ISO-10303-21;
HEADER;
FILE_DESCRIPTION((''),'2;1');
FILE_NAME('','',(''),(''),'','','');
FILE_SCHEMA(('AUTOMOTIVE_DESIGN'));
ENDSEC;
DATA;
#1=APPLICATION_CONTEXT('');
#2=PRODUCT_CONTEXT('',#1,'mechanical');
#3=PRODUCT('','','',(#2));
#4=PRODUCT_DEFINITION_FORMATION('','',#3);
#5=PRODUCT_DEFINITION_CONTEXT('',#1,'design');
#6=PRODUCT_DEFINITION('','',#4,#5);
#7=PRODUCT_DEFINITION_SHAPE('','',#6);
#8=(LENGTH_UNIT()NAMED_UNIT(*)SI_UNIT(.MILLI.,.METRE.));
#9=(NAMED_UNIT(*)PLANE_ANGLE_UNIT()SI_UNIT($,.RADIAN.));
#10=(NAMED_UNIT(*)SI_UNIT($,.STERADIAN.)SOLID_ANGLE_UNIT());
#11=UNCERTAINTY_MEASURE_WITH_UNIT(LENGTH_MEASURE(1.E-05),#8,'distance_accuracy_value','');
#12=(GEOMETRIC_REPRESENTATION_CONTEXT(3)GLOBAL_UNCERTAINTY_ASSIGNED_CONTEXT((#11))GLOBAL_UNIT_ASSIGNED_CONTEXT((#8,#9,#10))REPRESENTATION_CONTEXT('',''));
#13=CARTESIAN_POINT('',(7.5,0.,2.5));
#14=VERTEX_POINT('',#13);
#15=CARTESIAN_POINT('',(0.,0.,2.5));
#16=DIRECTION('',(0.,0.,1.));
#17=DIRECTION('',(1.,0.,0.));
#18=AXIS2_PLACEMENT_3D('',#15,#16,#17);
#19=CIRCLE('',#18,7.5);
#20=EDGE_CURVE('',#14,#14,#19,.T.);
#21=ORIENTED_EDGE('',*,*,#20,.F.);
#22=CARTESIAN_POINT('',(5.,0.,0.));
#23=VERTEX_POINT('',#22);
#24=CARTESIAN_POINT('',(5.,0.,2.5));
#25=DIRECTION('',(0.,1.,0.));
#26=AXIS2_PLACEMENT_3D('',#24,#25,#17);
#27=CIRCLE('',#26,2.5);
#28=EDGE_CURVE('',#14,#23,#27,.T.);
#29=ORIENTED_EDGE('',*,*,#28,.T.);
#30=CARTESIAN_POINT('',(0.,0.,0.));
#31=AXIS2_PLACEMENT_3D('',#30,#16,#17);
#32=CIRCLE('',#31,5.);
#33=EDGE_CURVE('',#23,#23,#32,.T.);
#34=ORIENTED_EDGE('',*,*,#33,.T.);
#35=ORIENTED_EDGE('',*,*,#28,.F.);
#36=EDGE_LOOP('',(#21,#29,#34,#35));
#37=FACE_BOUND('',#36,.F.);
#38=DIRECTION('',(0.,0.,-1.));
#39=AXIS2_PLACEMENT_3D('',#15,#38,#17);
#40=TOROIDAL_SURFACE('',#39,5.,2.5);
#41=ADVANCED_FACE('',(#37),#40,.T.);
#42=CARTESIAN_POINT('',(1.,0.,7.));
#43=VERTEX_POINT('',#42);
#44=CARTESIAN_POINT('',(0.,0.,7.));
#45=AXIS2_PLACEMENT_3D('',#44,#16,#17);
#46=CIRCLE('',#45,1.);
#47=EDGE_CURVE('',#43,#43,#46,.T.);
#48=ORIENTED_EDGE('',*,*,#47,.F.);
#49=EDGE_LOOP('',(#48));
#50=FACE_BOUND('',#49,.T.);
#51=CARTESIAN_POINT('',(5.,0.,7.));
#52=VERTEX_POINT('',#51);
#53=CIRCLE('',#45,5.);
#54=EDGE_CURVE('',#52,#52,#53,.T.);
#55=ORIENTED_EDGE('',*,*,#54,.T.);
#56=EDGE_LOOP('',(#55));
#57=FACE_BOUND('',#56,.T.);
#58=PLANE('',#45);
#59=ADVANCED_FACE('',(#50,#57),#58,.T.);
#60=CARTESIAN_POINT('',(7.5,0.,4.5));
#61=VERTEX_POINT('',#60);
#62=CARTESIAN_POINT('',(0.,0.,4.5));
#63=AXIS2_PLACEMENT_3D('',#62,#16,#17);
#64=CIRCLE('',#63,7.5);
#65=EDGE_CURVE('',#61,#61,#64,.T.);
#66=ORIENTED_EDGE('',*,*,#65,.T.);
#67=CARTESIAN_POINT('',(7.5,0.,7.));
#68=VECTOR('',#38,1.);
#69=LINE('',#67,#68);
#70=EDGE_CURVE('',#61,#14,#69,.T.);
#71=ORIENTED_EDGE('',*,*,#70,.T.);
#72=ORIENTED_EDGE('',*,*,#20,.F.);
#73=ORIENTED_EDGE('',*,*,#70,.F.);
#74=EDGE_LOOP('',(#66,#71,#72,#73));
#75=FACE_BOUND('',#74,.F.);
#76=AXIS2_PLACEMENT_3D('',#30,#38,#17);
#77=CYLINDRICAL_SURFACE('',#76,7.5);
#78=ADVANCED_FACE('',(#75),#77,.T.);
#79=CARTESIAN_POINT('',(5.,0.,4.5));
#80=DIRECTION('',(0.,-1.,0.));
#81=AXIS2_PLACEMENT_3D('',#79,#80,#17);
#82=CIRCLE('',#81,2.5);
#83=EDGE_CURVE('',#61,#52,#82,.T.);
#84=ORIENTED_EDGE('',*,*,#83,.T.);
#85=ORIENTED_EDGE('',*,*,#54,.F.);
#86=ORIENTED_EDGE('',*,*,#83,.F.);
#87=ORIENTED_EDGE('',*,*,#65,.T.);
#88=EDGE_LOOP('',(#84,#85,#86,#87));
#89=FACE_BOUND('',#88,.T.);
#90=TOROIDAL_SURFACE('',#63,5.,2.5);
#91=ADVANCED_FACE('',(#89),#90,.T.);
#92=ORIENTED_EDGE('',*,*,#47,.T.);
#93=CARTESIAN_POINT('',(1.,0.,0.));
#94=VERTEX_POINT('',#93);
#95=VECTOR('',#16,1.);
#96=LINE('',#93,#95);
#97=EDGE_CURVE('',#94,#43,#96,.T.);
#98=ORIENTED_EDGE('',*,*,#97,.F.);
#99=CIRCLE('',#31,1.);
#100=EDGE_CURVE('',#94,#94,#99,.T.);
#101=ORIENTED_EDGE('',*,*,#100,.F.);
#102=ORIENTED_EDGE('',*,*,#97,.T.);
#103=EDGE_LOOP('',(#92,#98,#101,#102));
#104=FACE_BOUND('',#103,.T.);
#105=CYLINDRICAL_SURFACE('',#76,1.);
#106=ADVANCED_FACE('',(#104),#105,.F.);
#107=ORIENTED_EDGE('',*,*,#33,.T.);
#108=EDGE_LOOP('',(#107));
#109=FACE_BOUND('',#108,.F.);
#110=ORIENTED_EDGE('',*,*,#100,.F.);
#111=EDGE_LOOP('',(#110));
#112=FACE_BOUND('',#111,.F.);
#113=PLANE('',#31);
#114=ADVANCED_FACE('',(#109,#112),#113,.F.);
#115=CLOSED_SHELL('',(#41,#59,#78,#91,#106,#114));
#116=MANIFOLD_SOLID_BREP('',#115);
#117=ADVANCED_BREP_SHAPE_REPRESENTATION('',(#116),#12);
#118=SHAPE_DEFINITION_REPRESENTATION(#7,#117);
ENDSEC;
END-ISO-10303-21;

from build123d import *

# Parameters (mm, degrees)
F0_R     = 7.5
F0_R_2   = 1
F1_DEPTH = 7
F2_DEPTH = 5
F3_R     = 2.5


with BuildPart() as f1:
    # F0 (on Top) → F1 (new body)
    with BuildSketch(Plane.XY):
        Circle(F0_R)
        Circle(F0_R_2, mode=Mode.SUBTRACT)
    extrude(amount=F1_DEPTH)

    # F0 (on Top) → F2 (join)
    with BuildSketch(Plane.XY):
        Circle(F0_R)
        Circle(F0_R_2, mode=Mode.SUBTRACT)
    extrude(amount=F2_DEPTH)

    # F3
    f3_edges = [f1.edges().sort_by_distance(p)[0] for p in [
        (-7.5, 0, 7),
        (-7.5, 0, 0),
    ]]
    fillet(f3_edges, radius=F3_R)


solid = f1.part
